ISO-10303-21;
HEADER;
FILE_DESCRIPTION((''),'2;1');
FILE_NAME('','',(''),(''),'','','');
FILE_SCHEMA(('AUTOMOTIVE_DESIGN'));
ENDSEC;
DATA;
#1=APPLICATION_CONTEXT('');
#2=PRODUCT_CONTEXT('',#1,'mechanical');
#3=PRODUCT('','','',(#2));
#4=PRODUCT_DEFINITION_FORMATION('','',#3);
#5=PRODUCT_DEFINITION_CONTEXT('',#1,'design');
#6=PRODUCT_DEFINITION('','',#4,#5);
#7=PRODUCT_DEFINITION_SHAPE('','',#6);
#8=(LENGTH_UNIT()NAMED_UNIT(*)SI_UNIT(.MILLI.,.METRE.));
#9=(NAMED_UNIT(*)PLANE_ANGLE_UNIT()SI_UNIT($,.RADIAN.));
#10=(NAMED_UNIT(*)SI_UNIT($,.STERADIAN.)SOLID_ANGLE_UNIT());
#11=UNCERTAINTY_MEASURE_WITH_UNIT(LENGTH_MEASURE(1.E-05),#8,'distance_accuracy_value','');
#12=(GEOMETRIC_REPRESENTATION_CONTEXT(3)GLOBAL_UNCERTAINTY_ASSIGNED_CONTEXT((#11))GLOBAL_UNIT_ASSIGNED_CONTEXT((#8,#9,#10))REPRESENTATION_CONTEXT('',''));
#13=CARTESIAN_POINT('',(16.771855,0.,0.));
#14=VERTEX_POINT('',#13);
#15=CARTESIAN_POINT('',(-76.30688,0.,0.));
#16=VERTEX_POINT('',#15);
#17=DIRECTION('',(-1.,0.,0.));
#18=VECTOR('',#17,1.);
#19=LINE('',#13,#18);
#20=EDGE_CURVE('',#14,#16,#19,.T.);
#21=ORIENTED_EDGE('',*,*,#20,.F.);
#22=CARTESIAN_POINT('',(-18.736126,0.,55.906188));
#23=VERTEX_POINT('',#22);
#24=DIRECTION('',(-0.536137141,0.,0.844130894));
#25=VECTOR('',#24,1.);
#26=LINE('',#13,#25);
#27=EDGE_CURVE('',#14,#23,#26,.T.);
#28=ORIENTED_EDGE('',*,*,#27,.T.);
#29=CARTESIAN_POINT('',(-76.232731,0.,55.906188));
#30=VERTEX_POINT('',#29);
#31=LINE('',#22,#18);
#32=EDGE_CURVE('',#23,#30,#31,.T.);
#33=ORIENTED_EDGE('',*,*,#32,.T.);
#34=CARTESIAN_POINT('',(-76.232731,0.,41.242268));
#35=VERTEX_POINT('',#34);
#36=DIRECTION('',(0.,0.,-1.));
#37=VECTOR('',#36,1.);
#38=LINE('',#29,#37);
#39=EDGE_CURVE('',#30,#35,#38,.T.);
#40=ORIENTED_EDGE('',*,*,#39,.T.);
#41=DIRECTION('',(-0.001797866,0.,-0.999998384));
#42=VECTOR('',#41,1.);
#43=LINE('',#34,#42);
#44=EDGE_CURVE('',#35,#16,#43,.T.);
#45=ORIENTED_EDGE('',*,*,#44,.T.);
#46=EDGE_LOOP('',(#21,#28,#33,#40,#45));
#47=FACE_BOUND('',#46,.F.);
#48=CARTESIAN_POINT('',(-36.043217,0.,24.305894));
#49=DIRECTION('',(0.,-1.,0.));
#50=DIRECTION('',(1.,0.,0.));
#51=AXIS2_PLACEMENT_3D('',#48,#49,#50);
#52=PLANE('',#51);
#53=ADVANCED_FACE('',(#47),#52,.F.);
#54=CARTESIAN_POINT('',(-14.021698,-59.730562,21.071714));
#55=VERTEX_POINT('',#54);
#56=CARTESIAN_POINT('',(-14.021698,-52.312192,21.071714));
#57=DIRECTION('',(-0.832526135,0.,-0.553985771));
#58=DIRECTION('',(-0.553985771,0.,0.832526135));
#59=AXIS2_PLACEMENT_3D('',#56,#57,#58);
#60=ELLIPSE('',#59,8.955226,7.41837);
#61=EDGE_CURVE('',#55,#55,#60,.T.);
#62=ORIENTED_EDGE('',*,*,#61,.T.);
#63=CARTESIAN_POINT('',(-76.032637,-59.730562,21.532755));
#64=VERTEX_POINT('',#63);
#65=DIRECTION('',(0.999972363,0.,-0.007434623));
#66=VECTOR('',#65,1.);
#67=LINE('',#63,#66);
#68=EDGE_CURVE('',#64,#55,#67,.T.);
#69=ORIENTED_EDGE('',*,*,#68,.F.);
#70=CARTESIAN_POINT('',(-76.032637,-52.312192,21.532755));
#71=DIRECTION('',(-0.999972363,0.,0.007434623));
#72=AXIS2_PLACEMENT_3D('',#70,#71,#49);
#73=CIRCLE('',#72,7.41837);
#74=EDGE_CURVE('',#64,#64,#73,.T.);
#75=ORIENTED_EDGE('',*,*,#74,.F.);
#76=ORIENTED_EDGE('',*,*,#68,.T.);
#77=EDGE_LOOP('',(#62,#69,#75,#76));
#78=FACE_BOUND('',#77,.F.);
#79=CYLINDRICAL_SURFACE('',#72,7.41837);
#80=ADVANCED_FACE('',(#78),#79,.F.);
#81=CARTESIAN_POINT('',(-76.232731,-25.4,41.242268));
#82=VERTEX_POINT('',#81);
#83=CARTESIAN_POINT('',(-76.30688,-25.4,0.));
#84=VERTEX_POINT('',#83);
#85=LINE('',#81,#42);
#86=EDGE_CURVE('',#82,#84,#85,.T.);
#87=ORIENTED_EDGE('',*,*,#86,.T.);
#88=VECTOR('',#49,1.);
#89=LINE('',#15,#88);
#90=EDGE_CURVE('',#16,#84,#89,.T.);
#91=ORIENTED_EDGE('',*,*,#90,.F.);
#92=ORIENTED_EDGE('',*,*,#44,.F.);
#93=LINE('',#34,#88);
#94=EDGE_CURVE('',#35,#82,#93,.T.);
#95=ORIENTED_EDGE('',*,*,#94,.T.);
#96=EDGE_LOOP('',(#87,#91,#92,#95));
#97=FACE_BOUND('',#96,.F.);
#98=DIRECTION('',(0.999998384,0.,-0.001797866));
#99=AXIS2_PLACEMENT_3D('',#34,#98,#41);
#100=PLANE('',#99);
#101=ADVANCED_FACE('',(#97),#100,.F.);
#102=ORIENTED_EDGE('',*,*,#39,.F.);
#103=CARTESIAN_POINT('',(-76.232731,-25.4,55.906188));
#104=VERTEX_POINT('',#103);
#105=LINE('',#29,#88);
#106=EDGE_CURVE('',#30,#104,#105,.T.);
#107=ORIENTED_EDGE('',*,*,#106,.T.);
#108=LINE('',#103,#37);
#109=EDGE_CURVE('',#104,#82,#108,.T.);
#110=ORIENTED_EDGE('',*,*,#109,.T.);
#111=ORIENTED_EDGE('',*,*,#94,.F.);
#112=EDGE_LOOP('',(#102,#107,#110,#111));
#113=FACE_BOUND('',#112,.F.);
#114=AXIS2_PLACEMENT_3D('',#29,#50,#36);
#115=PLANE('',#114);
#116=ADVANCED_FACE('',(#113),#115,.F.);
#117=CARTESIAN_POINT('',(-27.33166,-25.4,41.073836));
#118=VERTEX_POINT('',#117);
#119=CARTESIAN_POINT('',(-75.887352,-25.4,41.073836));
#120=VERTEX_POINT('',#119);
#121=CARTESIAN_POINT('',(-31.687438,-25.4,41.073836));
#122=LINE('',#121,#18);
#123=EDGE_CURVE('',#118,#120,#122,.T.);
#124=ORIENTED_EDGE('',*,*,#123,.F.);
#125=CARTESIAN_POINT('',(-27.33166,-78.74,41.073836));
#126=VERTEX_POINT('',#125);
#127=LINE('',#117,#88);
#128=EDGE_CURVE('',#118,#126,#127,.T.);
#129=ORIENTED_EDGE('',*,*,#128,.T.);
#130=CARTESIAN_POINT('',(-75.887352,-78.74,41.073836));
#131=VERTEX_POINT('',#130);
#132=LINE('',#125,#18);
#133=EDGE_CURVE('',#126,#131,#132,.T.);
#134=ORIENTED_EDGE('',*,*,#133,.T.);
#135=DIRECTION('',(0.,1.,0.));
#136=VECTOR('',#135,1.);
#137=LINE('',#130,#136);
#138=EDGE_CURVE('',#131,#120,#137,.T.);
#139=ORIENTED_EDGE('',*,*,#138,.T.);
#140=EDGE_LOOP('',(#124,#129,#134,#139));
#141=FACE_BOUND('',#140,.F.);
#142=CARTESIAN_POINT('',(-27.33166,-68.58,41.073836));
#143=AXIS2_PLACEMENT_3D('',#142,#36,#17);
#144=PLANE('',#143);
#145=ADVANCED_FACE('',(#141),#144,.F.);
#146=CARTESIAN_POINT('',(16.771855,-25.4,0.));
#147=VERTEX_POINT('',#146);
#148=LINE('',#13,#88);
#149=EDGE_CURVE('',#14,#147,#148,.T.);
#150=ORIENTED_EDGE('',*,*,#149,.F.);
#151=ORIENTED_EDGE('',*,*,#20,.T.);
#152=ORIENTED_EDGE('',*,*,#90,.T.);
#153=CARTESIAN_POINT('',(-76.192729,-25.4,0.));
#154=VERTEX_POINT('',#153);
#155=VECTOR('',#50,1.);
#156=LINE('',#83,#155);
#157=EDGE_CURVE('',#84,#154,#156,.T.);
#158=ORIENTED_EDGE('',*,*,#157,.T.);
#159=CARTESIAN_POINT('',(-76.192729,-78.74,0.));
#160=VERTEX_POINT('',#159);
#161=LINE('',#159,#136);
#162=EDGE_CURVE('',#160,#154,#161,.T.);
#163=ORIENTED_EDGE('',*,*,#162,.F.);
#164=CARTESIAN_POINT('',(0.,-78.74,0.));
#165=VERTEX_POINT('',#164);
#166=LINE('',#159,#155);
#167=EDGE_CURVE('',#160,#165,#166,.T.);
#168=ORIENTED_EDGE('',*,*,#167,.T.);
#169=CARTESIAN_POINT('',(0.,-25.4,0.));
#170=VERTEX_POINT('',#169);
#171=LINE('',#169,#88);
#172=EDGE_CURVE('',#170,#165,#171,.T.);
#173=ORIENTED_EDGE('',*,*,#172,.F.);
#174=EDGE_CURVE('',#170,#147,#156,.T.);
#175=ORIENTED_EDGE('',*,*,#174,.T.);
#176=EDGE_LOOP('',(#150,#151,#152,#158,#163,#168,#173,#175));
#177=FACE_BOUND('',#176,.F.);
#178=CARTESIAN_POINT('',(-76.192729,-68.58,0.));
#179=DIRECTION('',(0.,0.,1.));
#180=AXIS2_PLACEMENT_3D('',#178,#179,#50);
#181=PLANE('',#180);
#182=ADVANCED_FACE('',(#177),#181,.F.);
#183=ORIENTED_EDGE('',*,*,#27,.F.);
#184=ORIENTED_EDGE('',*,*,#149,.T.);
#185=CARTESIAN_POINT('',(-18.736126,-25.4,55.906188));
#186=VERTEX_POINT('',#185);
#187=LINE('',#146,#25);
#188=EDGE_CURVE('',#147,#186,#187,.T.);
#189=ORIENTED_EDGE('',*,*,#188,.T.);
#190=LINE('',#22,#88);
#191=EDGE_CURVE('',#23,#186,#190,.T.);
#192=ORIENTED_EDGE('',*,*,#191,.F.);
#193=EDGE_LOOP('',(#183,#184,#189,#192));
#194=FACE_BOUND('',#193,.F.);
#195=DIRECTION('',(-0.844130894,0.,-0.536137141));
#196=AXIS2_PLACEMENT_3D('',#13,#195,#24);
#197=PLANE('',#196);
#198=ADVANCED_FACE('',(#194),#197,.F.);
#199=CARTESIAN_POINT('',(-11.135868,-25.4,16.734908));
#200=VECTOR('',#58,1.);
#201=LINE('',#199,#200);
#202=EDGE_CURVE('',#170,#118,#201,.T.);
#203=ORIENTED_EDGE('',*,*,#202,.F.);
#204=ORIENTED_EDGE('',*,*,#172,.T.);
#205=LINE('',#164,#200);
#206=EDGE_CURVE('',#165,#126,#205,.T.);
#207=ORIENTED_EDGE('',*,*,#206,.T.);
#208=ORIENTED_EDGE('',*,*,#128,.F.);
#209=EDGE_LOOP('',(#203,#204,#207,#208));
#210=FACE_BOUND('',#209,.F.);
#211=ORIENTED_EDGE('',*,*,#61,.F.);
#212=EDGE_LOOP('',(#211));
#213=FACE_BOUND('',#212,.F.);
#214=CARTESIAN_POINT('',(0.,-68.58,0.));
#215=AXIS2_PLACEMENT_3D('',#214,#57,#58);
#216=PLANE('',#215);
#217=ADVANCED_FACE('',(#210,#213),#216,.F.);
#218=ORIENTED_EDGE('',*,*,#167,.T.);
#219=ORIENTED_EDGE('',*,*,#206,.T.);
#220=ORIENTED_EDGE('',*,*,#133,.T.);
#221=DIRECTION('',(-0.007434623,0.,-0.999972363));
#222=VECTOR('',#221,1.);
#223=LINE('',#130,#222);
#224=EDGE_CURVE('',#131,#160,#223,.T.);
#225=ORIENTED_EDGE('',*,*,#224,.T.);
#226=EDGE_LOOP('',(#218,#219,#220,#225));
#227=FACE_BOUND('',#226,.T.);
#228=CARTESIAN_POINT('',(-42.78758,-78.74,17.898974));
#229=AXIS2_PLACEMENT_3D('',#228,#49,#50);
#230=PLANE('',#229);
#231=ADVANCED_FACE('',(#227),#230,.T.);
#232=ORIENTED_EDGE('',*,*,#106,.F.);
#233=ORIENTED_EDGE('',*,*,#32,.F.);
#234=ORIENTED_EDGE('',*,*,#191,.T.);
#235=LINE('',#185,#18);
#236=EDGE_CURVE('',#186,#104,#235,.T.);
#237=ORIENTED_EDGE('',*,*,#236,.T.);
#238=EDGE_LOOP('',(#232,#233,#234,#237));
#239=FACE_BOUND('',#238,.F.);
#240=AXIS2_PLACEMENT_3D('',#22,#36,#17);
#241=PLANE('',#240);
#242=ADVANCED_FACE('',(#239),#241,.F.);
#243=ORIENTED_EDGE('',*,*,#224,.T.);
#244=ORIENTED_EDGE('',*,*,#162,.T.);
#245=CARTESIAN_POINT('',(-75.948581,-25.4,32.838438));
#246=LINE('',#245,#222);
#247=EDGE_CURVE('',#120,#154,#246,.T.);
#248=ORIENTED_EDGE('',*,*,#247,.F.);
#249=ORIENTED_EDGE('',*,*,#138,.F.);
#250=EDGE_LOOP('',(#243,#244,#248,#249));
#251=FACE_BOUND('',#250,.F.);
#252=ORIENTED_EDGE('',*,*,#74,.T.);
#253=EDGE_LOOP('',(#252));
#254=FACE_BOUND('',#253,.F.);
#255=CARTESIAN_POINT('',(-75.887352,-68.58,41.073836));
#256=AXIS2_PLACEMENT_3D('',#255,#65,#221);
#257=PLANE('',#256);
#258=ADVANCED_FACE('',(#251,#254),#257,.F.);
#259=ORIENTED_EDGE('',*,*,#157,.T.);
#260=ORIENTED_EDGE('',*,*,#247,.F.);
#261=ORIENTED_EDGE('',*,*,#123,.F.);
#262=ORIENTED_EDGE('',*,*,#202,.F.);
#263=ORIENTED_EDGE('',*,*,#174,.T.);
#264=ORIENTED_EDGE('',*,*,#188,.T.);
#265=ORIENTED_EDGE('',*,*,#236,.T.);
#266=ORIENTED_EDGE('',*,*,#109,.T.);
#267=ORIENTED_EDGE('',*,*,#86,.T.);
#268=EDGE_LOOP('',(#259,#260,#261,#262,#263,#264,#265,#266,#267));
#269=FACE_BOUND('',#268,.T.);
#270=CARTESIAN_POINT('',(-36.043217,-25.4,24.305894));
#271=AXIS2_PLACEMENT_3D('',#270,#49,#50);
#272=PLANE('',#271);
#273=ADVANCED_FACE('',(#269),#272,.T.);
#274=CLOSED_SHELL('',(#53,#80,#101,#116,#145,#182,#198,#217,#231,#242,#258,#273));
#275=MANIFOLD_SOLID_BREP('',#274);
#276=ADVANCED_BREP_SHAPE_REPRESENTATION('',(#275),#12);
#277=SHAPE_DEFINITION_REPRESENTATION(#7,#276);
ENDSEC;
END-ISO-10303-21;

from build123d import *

# Parameters (mm, degrees)
F1_DEPTH = 68.58
F3_DEPTH = 25.4
F4_DEPTH = 10.16
F5_R     = 7.4183703621
F6_DEPTH = 127


with BuildPart() as f1:
    # F0 (on Front) → F1 (new body)
    with BuildSketch(Plane.XZ):
        Polygon((-76.1927291751, 0), (0, 0), (-27.3316595703, 41.0738363862), (-75.8873522282, 41.0738363862), align=None)
    extrude(amount=F1_DEPTH)

    # F2 (on Front) → F3 (join)
    with BuildSketch(Plane.XZ):
        Polygon((-18.7361260581, 55.9061877429), (-76.2327313423, 55.9061877429), (-76.2327313423, 41.2422679365), (-76.3068795204, 0), (0, 0), (16.7718548328, 0), align=None)
    extrude(amount=F3_DEPTH)

    # F4 (add): a face of the model
    f4_faces = [f1.faces().sort_by_distance(p)[0] for p in [
        (-44.3539801272, -68.58, 19.0203203617),
    ]]
    extrude(f4_faces, amount=F4_DEPTH)

    # F5 (on face) → F6 (cut)
    with BuildSketch(Plane(origin=(-76.1885177267, 0, 0.5664485955), x_dir=(0, -1, 0), z_dir=(-0.9999723628, 0, 0.0074346234))):
        with Locations((52.3121915758, 20.9668856114)):
            Circle(F5_R)
    extrude(amount=-F6_DEPTH, mode=Mode.SUBTRACT)


solid = f1.part
